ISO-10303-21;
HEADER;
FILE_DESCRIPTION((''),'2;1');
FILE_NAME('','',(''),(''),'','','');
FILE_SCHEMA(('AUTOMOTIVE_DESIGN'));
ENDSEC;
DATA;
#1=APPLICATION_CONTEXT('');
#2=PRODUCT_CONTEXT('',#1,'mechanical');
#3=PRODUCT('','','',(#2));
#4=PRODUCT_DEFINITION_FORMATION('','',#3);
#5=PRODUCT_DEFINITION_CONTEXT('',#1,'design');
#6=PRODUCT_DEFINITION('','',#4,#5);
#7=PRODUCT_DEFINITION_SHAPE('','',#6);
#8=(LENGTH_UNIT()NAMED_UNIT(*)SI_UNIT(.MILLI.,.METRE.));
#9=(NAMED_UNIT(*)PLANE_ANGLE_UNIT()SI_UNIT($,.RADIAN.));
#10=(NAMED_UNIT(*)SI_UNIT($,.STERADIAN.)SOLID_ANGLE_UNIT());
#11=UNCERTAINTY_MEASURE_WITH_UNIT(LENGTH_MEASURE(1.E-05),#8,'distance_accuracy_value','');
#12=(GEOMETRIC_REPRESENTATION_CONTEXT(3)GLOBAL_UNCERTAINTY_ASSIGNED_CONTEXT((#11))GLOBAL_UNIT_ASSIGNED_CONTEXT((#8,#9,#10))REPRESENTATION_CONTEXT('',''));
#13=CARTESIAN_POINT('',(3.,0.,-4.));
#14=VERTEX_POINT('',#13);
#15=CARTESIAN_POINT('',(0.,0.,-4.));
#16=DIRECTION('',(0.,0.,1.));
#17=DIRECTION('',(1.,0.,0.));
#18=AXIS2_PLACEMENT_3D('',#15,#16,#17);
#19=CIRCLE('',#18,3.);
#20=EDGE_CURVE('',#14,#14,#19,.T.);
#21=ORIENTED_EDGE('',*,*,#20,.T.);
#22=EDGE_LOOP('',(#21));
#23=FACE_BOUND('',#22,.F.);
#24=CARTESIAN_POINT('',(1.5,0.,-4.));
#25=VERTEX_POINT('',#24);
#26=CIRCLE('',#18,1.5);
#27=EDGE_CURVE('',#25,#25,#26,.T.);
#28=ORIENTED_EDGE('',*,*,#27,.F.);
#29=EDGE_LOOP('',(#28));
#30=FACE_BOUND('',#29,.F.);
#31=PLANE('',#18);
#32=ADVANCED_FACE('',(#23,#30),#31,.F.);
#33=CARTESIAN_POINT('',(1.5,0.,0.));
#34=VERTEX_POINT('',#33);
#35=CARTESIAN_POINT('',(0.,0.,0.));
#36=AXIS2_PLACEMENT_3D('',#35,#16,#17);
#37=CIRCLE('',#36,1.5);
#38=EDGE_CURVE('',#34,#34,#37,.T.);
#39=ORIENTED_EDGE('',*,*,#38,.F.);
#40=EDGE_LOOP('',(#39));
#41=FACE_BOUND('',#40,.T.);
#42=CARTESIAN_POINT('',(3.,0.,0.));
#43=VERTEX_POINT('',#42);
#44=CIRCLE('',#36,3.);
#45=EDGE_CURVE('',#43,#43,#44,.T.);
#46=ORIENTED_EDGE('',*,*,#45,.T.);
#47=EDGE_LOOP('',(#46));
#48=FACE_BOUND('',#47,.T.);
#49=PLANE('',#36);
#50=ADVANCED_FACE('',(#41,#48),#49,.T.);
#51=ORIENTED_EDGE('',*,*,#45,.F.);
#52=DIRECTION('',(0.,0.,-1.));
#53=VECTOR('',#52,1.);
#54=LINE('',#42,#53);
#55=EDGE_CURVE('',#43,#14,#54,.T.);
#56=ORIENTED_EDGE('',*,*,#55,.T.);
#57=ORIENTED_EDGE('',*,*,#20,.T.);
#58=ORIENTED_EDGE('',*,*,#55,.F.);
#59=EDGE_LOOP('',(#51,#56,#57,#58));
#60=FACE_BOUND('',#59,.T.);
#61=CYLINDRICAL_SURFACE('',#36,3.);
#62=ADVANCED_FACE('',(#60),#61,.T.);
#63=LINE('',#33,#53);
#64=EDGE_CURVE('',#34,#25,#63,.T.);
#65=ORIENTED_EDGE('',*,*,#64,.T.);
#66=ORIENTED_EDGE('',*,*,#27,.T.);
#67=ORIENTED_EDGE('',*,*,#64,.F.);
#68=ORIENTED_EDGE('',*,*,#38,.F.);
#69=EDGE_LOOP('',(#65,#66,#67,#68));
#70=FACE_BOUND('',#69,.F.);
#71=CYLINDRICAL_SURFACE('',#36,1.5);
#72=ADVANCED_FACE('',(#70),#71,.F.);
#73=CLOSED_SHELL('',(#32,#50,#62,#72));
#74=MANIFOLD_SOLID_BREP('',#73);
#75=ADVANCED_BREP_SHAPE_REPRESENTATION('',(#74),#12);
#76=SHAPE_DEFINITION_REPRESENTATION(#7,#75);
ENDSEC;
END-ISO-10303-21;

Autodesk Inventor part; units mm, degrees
ref_plane "YZ Plane" through (0, 0, 0) normal (1, 0, 0) x (0, 1, 0)
ref_plane "XZ Plane" through (0, 0, 0) normal (0, 1, 0) x (-1, 0, 0)
ref_plane "XY Plane" through (0, 0, 0) normal (0, 0, 1) x (1, 0, 0)
sketch "スケッチ1" plane through (0, 0, 0) normal (0, 0, 1) x (1, 0, 0)
  circle A0 centre (0, 0) radius 3
  circle A1 centre (0, 0) radius 1.5
  dimension "d0" = 6
  dimension "d1" = 3
extrude "押し出し1" add sketch "スケッチ1" against normal blind 4
properties part number "PEAKスペーサーm3中空-4" material "PAEK 樹脂"
